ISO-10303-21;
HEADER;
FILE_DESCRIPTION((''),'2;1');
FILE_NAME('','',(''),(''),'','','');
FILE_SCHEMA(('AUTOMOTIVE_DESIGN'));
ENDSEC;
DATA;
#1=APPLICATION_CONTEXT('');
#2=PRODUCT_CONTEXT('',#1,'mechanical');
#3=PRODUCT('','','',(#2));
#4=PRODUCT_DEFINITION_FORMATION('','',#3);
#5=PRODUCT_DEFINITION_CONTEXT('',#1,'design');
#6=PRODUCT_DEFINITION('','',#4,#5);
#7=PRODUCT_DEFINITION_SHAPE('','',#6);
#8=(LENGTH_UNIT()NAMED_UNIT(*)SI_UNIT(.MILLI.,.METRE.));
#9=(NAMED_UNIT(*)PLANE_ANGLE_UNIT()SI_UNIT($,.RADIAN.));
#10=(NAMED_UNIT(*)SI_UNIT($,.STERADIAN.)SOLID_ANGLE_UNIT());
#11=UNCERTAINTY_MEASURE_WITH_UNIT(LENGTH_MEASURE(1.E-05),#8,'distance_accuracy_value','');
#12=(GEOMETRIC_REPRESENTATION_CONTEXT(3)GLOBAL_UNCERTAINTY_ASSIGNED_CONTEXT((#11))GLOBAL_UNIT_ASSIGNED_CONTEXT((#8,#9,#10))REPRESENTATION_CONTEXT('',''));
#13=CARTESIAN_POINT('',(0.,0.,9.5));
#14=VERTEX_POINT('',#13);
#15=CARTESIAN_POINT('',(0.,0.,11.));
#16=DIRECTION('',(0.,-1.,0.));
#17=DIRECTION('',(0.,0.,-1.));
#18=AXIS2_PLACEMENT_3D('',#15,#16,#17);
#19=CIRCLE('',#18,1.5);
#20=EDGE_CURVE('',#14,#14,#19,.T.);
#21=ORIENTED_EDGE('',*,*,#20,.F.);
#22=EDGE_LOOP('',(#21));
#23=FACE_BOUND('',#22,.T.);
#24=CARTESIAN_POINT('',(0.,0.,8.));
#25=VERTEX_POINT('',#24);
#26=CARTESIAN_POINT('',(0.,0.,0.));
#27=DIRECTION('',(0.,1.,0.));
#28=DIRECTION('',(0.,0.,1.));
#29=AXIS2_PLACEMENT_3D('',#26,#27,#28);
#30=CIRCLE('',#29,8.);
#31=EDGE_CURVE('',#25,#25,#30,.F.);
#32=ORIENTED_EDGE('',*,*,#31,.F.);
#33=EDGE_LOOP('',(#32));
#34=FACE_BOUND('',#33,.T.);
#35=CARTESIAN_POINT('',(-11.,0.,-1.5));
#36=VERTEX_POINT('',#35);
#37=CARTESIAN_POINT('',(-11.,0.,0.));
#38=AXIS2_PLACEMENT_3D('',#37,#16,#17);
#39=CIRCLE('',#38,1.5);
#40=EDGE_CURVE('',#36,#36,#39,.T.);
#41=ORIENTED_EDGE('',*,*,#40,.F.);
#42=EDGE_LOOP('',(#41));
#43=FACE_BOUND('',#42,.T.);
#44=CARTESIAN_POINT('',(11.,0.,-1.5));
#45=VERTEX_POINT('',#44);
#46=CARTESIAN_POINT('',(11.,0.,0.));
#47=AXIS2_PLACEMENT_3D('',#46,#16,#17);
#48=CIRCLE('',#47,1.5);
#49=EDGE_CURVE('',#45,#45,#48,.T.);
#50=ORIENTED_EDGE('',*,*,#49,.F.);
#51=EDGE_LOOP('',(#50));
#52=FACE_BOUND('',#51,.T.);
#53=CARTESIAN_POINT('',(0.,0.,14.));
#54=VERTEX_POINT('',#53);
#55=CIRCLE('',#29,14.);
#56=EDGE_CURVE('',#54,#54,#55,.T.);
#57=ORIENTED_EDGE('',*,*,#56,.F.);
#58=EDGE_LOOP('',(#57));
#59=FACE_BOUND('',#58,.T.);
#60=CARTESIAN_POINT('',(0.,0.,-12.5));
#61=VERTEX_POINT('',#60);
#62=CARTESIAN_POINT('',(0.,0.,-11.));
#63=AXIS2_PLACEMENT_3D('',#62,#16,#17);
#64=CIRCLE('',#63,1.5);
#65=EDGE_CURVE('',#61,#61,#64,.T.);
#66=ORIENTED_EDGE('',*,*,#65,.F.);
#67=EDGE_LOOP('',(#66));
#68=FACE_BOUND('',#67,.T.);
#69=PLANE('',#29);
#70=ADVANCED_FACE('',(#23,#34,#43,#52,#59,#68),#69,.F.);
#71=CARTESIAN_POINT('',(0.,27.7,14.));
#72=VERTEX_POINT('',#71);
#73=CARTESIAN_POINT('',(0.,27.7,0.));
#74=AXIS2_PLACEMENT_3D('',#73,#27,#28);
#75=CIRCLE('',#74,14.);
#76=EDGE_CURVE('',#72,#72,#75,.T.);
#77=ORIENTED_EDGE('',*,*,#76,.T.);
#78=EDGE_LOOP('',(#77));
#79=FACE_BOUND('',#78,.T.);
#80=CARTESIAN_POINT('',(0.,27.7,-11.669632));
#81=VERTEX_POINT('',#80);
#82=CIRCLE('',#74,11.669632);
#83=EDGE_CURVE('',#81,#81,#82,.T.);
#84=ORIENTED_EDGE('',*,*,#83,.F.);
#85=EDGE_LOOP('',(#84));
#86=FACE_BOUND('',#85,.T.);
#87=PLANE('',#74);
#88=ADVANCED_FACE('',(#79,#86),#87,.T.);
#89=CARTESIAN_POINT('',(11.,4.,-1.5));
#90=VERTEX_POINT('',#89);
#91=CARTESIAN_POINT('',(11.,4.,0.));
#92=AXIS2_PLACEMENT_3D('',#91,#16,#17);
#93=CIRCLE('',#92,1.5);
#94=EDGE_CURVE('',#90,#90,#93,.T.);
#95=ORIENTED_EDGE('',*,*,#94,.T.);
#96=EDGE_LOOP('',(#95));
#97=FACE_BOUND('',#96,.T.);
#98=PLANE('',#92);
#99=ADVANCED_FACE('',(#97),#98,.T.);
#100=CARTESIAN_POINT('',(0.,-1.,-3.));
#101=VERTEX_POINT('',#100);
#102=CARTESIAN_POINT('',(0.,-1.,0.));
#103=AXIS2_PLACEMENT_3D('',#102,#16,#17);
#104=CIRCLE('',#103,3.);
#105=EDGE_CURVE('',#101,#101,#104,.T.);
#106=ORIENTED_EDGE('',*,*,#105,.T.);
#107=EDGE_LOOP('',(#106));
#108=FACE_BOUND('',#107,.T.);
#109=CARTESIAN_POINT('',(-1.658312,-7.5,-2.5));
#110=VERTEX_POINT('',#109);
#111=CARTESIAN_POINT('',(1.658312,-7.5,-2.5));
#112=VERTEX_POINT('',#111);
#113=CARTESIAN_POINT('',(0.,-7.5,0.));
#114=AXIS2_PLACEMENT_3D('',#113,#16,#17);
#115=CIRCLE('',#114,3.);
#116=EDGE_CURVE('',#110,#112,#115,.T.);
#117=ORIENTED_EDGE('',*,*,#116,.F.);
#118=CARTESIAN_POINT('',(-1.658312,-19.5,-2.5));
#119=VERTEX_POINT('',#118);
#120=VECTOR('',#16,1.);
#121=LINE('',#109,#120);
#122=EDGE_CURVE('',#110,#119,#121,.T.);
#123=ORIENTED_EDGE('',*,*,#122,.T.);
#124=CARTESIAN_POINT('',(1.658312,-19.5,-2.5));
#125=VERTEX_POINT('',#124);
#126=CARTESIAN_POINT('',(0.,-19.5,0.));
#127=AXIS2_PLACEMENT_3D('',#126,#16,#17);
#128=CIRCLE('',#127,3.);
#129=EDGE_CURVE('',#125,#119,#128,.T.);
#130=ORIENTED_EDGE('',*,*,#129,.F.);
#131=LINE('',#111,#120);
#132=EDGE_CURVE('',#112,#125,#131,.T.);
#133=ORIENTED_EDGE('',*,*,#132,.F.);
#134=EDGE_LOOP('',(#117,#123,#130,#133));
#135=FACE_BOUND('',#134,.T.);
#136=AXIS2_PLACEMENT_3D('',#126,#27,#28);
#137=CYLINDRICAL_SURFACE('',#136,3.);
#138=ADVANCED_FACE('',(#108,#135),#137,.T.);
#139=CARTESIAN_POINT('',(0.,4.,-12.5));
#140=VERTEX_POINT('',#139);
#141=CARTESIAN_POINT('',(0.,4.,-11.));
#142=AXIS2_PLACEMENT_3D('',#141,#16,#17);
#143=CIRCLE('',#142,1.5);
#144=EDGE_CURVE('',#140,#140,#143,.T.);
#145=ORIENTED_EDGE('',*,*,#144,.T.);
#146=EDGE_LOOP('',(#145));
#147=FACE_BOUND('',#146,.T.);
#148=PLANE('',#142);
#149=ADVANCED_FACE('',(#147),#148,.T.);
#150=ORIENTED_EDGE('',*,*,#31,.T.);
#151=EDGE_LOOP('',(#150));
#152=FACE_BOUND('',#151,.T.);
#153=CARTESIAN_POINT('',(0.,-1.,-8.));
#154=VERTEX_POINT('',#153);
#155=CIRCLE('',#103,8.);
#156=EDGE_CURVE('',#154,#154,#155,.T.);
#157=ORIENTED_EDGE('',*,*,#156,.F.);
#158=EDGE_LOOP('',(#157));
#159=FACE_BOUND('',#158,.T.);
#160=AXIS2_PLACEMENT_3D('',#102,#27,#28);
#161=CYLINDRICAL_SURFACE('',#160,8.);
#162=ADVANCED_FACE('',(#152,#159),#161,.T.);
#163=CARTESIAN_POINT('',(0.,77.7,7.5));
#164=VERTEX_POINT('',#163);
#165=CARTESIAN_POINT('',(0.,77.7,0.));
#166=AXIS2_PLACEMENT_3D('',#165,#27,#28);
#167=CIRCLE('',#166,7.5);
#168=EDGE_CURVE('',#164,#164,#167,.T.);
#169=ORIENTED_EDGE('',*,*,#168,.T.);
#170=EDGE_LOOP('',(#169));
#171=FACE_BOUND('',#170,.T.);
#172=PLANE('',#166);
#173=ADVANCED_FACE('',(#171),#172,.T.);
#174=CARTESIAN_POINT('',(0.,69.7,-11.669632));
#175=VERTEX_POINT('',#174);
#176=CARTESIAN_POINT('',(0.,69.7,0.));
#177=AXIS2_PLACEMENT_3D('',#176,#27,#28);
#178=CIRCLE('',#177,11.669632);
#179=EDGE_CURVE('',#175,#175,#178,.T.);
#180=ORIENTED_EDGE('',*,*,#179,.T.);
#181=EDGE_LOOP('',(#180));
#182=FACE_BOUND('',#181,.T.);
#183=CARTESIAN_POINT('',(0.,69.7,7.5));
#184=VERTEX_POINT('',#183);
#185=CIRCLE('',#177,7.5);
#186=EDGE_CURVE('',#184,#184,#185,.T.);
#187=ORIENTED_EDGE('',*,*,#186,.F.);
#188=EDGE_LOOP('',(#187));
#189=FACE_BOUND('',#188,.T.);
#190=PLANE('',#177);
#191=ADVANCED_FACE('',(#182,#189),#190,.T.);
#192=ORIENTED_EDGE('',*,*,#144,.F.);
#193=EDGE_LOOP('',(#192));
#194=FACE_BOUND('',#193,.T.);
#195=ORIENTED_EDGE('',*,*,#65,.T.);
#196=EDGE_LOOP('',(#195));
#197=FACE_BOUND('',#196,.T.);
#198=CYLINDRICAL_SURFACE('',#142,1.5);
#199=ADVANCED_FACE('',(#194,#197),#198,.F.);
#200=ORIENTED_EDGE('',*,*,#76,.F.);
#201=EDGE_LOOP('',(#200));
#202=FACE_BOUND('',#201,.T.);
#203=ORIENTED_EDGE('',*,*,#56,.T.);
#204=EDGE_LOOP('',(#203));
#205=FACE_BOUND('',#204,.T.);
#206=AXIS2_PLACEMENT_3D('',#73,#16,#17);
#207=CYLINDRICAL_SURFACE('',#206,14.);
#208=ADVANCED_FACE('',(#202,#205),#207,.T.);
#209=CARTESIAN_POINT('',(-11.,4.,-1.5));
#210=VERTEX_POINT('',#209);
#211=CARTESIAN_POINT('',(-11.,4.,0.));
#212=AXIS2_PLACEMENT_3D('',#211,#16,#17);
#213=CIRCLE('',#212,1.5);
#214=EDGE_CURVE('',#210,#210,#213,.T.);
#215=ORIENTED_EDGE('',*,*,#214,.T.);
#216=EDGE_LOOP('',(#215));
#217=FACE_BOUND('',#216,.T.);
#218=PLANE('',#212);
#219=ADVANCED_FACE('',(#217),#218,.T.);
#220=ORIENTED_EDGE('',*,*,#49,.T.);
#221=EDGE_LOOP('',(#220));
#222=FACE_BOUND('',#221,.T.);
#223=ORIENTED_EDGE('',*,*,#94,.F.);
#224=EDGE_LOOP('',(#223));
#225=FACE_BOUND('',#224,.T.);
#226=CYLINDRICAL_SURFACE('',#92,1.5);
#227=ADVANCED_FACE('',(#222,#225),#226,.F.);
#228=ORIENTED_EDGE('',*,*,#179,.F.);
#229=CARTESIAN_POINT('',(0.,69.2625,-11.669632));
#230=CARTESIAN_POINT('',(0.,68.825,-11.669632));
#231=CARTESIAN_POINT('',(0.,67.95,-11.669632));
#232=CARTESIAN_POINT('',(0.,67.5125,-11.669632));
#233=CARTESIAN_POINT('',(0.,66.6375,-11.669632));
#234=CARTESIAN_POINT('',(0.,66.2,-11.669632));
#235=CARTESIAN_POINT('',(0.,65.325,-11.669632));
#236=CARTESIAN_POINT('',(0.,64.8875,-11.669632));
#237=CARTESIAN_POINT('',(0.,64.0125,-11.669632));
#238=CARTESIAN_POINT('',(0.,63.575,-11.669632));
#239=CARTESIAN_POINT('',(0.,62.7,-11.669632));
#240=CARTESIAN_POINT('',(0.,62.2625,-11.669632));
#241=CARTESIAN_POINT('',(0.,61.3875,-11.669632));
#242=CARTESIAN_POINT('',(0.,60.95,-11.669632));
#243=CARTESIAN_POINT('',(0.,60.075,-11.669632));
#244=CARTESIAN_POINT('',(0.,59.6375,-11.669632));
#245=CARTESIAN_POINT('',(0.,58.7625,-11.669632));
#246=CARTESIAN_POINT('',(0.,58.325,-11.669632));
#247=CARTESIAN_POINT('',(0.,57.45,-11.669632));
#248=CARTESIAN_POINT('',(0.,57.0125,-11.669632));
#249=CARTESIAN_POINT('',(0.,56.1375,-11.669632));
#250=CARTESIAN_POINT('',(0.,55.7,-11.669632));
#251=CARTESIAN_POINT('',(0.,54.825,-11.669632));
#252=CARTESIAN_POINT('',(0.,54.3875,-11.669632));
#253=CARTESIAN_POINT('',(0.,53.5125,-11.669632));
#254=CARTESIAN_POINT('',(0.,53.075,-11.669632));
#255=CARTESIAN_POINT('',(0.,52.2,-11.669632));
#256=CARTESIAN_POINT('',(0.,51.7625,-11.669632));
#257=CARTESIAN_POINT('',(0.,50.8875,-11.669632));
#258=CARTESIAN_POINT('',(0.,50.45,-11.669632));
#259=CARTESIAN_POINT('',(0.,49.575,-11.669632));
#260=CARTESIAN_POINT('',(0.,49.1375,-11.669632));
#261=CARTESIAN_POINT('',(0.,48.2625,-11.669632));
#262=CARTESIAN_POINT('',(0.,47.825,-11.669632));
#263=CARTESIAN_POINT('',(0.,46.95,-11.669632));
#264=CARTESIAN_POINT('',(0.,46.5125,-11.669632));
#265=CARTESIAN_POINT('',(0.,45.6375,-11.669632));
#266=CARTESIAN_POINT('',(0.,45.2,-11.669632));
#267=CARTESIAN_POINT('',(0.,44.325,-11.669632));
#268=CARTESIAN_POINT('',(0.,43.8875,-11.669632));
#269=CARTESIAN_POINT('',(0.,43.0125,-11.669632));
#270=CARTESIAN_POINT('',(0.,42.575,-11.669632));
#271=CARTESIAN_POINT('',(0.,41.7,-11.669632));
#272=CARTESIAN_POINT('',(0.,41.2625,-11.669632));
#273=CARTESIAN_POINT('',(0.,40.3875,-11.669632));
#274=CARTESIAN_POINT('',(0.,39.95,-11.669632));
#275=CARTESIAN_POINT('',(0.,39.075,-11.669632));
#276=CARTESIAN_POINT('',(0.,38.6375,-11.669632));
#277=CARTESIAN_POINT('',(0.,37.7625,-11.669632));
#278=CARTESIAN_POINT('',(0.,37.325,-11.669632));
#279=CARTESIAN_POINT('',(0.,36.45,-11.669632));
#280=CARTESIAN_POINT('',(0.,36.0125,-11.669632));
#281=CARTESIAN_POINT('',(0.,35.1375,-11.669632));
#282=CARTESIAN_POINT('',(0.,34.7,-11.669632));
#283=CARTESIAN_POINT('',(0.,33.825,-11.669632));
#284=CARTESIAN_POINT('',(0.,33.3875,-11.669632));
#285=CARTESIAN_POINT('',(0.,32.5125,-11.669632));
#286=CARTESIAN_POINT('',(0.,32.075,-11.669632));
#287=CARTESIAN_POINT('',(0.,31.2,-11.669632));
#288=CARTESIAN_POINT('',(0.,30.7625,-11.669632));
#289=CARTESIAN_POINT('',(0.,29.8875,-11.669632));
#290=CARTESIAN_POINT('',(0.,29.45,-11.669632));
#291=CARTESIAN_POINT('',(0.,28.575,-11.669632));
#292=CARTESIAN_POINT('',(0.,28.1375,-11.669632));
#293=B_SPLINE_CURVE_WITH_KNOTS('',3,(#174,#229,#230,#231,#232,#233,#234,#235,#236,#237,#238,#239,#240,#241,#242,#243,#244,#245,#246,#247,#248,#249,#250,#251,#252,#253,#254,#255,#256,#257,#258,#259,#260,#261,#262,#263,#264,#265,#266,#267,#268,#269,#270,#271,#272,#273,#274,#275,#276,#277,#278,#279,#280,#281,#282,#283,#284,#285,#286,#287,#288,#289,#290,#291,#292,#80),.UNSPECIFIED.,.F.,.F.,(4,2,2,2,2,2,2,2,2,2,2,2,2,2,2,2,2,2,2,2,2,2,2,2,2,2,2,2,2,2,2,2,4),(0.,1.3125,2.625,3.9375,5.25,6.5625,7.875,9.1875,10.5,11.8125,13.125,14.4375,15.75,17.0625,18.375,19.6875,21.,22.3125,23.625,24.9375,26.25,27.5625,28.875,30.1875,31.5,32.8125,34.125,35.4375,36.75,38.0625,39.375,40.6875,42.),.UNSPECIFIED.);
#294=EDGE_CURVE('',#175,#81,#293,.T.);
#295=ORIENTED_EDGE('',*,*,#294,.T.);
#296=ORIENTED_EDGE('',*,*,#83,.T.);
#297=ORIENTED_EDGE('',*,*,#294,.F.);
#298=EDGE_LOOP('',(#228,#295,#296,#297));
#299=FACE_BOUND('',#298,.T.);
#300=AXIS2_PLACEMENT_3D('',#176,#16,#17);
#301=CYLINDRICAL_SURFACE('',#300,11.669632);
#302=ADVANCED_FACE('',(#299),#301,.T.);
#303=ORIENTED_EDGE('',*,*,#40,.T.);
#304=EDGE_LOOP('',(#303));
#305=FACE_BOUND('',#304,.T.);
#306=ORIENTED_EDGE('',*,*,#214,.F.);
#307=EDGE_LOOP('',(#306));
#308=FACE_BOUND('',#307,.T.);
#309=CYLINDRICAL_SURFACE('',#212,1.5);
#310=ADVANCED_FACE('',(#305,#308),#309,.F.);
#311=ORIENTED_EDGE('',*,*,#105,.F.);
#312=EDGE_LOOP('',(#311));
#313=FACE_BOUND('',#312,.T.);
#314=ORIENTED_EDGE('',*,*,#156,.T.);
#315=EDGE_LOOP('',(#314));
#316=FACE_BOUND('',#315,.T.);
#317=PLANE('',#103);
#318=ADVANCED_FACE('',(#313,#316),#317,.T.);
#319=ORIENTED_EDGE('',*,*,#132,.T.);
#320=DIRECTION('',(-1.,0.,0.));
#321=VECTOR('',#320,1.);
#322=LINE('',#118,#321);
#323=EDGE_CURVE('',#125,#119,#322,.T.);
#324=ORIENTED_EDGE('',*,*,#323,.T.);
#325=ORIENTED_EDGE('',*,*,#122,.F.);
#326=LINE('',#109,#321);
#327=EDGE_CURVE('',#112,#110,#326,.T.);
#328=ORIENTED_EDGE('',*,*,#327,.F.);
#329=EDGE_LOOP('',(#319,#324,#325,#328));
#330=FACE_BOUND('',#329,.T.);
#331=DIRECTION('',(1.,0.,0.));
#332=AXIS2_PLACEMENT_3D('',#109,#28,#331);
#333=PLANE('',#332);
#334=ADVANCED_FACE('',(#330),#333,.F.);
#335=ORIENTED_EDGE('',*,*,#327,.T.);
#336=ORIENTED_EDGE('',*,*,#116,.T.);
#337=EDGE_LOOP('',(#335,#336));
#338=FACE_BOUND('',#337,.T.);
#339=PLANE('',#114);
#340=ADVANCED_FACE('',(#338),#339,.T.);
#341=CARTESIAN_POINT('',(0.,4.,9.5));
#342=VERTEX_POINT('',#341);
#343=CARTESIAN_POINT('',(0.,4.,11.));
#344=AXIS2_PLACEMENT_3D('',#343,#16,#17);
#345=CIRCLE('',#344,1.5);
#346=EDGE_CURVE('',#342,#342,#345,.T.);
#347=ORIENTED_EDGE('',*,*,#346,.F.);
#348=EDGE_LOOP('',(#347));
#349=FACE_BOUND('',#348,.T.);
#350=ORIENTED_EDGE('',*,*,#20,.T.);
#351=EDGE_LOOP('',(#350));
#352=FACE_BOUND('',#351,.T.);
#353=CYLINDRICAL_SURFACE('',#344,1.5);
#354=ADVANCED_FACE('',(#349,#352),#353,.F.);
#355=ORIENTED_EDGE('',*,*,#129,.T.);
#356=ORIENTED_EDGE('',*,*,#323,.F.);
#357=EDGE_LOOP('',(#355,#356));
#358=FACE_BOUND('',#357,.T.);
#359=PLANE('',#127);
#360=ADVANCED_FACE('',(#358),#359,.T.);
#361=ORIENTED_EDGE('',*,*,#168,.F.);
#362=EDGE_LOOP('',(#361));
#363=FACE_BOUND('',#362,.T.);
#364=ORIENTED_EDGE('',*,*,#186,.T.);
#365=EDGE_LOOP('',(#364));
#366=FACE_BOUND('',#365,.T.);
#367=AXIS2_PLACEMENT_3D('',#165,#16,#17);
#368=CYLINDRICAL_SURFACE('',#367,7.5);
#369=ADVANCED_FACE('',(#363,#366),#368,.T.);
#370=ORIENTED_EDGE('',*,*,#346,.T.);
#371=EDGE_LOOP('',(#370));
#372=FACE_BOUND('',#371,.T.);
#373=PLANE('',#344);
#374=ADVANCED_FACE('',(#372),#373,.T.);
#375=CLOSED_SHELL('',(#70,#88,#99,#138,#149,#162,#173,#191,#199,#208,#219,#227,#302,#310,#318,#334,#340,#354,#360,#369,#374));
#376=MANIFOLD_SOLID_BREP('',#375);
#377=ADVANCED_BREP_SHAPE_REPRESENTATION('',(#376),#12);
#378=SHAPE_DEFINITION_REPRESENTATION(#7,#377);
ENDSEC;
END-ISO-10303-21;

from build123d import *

# Parameters (mm, degrees)
SKETCH_1_R          = 14
EXTRUDE_1_DEPTH     = 27.7
SKETCH_3_R          = 11.669632126
EXTRUDE_2_DEPTH     = 42
SKETCH_8_R          = 7.5
EXTRUDE_4_DEPTH     = 8
SKETCH_9_R          = 8
EXTRUDE_5_DEPTH     = 1
SKETCH_5_R          = 3
EXTRUDE_3_DEPTH     = 18.5
CUT_EXTRUDE_START   = -12
CUT_EXTRUDE_2_DEPTH = 12
SKETCH_4_R          = 1.5
CUT_EXTRUDE_1_DEPTH = 4


with BuildPart() as part:
    # 草图1 → 凸台-拉伸1 (new body)
    with BuildSketch(Plane(origin=(0, 0, 0), x_dir=(1, 0, 0), z_dir=(0, 1, 0))):
        with Locations(Location((0, 0, 0), (0, 0, 270))):
            Circle(SKETCH_1_R)
    extrude(amount=EXTRUDE_1_DEPTH)

    # 草图3 → 凸台-拉伸2 (add)
    with BuildSketch(Plane(origin=(0, 27.7, 0), x_dir=(1, 0, 0), z_dir=(0, 1, 0))):
        with Locations(Location((0, 0, 0), (0, 0, 90))):
            Circle(SKETCH_3_R)
    extrude(amount=EXTRUDE_2_DEPTH)

    # 草图8 → 凸台-拉伸4 (add)
    with BuildSketch(Plane(origin=(0, 69.7, 0), x_dir=(1, 0, 0), z_dir=(0, 1, 0))):
        with Locations(Location((0, 0, 0), (0, 0, 270))):
            Circle(SKETCH_8_R)
    extrude(amount=EXTRUDE_4_DEPTH)

    # 草图9 → 凸台-拉伸5 (add)
    with BuildSketch(Plane.XZ):
        with Locations(Location((0, 0, 0), (0, 0, 90))):
            Circle(SKETCH_9_R)
    extrude(amount=EXTRUDE_5_DEPTH)

    # 草图5 → 凸台-拉伸3 (add)
    with BuildSketch(Plane.XZ.offset(1)):
        with Locations(Location((0, 0, 0), (0, 0, 270))):
            Circle(SKETCH_5_R)
    extrude(amount=EXTRUDE_3_DEPTH)

    # 草图7 → 切除-拉伸2 (cut)
    with BuildSketch(Plane.XZ.offset(19.5).offset(CUT_EXTRUDE_START)):
        with BuildLine():
            Line((-1.658312395, -2.5), (1.658312395, -2.5))
            ThreePointArc((1.658312395, -2.5), (0, -3), (-1.658312395, -2.5))
        make_face()
    extrude(amount=CUT_EXTRUDE_2_DEPTH, mode=Mode.SUBTRACT)

    # 草图4 → 切除-拉伸1 (cut)
    with BuildSketch(Plane.XZ):
        with Locations(Location((0, 11, 0), (0, 0, 270))):
            Circle(SKETCH_4_R)
        with Locations(Location((11, 0, 0), (0, 0, 270))):
            Circle(SKETCH_4_R)
        with Locations(Location((0, -11, 0), (0, 0, 270))):
            Circle(SKETCH_4_R)
        with Locations(Location((-11, 0, 0), (0, 0, 270))):
            Circle(SKETCH_4_R)
    extrude(amount=-CUT_EXTRUDE_1_DEPTH, mode=Mode.SUBTRACT)


solid = part.part
